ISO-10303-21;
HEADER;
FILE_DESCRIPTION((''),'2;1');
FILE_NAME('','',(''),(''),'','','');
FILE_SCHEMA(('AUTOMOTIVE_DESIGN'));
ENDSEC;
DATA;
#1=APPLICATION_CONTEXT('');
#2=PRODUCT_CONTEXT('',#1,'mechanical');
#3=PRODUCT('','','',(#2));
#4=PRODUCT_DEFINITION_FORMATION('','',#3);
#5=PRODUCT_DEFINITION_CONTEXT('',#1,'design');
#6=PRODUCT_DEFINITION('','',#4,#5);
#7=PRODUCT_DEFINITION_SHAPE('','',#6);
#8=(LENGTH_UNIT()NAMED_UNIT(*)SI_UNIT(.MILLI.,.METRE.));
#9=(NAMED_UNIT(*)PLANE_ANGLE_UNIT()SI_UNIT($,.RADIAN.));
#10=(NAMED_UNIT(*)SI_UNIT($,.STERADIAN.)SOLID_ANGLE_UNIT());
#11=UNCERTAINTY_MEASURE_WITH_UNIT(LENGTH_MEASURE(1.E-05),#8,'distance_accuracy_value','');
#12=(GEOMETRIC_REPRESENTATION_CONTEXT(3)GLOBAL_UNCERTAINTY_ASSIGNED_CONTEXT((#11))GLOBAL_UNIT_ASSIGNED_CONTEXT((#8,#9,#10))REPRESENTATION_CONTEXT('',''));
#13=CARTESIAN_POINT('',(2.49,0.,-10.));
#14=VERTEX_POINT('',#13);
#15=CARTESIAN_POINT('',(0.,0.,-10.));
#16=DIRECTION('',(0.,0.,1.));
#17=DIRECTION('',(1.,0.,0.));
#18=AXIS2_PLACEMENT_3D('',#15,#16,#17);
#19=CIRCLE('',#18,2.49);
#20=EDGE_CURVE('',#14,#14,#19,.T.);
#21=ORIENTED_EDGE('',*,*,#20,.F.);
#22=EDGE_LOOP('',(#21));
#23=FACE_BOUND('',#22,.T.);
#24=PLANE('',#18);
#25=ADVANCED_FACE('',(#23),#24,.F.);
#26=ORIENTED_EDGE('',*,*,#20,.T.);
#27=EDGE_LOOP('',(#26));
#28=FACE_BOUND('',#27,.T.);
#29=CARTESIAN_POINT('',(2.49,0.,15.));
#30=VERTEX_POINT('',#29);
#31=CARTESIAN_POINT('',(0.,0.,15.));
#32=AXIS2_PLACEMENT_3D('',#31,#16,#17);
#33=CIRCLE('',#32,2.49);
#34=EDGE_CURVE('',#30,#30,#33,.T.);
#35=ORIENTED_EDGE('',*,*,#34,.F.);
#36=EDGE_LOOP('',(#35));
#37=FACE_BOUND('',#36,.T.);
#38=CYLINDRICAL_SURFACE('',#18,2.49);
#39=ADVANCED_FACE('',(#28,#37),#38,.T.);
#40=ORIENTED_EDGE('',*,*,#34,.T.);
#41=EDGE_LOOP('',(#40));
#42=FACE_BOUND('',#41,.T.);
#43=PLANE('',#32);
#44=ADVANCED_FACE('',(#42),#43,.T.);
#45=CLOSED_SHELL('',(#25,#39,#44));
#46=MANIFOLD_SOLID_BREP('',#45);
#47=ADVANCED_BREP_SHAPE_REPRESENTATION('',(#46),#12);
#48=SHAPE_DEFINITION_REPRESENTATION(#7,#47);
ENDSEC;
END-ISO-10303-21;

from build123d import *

# Parameters (mm, degrees)
BOSS_EXTRUDE1_DEPTH      = 15
BOSS_EXTRUDE1_DEPTH_BACK = 10
SKETCH1_R                = 2.49


with BuildPart() as part:
    # Sketch1 → Boss-Extrude1 (new, two sides: drawn at the far end of the back side and taken through both)
    with BuildSketch(Plane.XY.offset(-BOSS_EXTRUDE1_DEPTH_BACK)):
        Circle(SKETCH1_R)
    extrude(amount=BOSS_EXTRUDE1_DEPTH + BOSS_EXTRUDE1_DEPTH_BACK)


solid = part.part
